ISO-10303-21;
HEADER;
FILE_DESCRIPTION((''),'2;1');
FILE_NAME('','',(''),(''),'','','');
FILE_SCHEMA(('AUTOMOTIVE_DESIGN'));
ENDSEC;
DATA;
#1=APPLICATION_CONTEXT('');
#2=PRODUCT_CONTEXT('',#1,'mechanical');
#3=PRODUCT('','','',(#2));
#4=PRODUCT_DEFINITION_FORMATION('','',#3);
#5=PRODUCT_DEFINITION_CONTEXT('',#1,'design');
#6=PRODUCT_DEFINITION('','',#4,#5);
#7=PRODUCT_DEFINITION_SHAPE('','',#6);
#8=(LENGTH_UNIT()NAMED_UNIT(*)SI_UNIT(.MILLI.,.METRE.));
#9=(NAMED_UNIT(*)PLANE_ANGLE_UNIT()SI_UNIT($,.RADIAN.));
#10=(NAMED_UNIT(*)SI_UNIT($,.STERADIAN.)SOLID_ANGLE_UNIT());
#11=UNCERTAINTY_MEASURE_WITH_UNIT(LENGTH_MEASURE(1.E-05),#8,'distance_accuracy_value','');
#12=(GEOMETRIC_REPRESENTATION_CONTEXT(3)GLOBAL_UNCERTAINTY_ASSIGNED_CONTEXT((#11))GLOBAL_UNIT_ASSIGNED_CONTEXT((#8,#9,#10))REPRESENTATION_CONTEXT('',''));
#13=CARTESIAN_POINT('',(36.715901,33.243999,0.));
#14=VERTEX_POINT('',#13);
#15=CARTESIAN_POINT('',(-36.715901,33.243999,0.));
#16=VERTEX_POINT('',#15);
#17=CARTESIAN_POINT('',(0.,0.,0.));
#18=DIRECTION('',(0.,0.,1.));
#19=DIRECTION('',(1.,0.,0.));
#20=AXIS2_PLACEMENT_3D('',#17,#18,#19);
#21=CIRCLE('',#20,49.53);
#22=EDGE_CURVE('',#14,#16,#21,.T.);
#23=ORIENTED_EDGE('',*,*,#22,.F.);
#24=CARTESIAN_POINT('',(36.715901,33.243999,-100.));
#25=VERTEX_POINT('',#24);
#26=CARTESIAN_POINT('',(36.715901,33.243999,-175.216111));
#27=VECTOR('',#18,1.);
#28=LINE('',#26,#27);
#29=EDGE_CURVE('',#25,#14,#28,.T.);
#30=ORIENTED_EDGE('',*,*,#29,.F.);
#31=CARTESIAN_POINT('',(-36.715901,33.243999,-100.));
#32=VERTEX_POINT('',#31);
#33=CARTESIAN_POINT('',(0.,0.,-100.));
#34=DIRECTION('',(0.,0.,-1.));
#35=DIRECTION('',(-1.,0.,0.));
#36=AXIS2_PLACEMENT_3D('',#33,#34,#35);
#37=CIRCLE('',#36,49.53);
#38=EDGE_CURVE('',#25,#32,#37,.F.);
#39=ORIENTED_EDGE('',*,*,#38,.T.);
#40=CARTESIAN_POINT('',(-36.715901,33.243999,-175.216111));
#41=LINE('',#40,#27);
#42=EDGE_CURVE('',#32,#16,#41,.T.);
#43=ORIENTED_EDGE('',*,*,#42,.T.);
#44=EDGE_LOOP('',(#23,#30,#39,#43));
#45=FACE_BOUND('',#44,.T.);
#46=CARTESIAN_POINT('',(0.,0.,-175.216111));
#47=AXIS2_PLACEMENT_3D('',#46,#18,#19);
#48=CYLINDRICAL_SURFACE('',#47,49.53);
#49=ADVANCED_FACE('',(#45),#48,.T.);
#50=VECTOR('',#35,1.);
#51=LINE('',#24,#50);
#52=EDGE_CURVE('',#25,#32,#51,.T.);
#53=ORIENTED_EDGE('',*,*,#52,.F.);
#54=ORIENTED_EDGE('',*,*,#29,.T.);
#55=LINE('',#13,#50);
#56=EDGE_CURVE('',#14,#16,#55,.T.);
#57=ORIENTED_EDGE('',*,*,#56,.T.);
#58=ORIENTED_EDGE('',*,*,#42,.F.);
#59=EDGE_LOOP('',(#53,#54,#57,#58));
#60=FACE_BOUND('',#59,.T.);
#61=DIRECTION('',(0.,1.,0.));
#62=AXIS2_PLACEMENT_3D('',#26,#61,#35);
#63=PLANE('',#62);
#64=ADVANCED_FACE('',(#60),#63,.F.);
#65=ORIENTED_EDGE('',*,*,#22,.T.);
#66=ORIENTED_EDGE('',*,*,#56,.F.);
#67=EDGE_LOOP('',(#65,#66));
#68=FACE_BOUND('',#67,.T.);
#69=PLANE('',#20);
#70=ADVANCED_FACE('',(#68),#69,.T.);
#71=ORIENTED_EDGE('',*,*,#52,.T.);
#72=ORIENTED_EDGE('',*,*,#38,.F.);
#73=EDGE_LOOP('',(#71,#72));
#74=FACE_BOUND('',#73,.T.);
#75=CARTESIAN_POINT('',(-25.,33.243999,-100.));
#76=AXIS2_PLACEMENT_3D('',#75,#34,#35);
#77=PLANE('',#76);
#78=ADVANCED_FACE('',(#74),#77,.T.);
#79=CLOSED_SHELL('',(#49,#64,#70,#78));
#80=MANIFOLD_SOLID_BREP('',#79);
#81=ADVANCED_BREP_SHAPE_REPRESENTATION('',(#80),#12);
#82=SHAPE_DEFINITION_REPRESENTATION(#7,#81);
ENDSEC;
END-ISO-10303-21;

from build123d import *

# Parameters (mm, degrees)
BOSS_EXTRUDE1_DEPTH = 100


with BuildPart() as part:
    # Sketch1 → Boss-Extrude1 (new body)
    with BuildSketch(Plane.XY):
        with BuildLine():
            Line((36.715901224, 33.243999418), (-36.715901224, 33.243999418))
            ThreePointArc((-36.715901224, 33.243999418), (0, 49.53), (36.715901224, 33.243999418))
        make_face()
    extrude(amount=-BOSS_EXTRUDE1_DEPTH)


solid = part.part
